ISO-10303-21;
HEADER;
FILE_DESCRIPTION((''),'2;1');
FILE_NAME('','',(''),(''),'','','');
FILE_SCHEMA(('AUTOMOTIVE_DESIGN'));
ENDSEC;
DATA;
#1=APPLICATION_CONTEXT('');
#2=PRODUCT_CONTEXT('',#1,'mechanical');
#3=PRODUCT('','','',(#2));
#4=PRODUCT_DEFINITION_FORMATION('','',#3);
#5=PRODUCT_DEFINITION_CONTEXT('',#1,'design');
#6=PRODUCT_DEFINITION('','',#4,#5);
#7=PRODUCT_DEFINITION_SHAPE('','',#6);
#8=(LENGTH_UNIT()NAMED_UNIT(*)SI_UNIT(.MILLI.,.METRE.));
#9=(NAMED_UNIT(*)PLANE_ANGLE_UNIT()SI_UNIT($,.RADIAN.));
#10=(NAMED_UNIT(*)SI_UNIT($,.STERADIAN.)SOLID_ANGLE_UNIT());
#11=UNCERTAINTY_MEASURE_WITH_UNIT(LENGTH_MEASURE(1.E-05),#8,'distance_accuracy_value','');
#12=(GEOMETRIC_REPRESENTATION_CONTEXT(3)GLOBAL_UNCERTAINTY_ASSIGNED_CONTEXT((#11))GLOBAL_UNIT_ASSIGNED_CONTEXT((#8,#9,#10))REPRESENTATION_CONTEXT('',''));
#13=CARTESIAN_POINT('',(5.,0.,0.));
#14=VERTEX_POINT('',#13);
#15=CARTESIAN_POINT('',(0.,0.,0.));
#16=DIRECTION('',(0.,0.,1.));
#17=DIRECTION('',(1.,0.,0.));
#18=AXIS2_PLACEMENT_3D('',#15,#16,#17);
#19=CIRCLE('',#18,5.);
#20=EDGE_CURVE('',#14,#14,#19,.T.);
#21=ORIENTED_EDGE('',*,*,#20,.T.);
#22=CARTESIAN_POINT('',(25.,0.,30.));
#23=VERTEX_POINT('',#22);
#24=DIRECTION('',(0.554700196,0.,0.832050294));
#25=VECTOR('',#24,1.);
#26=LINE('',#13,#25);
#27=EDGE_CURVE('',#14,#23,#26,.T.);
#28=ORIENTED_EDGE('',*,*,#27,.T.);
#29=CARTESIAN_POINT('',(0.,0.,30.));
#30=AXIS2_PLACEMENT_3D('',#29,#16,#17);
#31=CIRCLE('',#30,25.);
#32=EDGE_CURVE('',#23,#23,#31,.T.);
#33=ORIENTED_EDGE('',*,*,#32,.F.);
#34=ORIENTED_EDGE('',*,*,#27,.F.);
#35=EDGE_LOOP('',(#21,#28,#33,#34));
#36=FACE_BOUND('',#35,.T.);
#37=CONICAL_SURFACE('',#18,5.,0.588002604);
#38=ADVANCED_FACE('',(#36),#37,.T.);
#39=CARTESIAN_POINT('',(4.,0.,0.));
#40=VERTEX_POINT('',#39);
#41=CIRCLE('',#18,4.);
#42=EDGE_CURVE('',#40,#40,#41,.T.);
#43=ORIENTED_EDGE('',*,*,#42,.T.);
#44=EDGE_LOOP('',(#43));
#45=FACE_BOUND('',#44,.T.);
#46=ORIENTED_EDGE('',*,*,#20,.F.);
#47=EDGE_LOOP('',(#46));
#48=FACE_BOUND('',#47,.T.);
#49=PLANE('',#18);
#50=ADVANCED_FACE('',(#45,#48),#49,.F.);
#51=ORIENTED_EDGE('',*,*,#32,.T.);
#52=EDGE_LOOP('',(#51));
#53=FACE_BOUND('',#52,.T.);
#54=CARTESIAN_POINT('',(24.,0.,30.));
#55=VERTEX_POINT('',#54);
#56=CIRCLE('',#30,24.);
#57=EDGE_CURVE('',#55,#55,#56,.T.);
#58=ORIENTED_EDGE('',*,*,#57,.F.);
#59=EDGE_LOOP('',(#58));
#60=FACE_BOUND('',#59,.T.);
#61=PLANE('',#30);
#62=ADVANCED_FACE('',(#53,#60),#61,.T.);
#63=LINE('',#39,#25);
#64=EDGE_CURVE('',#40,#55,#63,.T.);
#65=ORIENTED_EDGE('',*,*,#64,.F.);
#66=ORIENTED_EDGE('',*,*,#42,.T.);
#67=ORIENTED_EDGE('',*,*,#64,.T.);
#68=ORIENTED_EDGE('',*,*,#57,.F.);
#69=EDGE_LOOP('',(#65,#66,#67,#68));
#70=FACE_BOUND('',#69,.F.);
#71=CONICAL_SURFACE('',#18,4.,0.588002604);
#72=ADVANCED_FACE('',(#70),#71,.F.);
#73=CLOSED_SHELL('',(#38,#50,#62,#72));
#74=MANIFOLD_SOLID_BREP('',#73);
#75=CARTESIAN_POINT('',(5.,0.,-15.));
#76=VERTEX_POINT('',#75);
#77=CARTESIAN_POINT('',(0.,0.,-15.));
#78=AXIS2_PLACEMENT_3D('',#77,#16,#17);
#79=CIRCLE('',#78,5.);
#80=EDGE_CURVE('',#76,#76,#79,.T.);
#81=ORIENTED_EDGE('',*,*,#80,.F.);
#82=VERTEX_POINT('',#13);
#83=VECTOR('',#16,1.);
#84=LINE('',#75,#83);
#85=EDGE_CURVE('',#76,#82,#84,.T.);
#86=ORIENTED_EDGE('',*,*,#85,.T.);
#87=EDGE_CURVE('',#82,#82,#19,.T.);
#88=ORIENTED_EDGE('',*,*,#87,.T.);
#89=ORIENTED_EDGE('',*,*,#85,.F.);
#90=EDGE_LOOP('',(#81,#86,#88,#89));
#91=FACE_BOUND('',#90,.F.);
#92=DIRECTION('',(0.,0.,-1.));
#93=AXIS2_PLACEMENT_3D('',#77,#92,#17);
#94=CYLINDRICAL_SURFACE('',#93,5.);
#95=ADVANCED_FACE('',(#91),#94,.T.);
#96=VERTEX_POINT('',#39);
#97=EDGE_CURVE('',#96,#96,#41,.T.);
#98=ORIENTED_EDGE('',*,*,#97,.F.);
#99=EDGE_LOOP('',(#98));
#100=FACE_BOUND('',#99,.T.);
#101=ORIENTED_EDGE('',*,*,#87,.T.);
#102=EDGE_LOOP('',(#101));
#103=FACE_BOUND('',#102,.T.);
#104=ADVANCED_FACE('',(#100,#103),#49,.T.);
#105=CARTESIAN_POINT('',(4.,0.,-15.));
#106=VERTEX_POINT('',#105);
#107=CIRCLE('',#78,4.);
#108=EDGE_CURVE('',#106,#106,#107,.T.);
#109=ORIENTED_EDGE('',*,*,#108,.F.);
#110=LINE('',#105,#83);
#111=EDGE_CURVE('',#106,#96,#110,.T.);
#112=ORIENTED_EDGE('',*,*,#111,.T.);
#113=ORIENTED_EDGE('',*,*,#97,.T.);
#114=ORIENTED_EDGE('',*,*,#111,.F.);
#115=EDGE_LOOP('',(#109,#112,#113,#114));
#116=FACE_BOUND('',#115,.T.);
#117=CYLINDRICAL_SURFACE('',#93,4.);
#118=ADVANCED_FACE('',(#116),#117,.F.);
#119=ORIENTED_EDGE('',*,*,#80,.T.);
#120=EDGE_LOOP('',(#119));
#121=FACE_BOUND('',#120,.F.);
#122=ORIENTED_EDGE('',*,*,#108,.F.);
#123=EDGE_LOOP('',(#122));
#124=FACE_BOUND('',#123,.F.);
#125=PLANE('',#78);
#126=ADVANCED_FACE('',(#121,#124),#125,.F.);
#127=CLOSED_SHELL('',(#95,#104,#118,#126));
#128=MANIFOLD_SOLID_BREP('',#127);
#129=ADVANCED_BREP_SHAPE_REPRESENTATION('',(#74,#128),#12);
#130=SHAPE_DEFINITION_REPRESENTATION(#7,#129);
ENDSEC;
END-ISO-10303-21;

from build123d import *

# Parameters (mm, degrees)
CYLINDER001_R     = 4
CYLINDER001_DEPTH = 15
CYLINDER_R        = 5
CYLINDER_DEPTH    = 15


with BuildPart() as con001:
    # Cone001 → Cone001 (revolve)
    with BuildSketch(Plane.XZ):
        Polygon((0, 0), (4, 0), (24, 30), (0, 30), align=None)
    revolve(axis=Axis((0, 0, 0), (0, 0, 1)))


with BuildPart() as cut:
    # Cone → Cone (revolve)
    with BuildSketch(Plane.XZ):
        Polygon((0, 0), (5, 0), (25, 30), (0, 30), align=None)
    revolve(axis=Axis((0, 0, 0), (0, 0, 1)))

    # Cut: cut Con001
    add(con001.part, mode=Mode.SUBTRACT)


with BuildPart() as cilindre001:
    # Cylinder001 → Cylinder001 (new body)
    with BuildSketch(Plane.XY.offset(-15)):
        Circle(CYLINDER001_R)
    extrude(amount=CYLINDER001_DEPTH)


with BuildPart() as cut001:
    # Cylinder → Cylinder (new body)
    with BuildSketch(Plane.XY.offset(-15)):
        Circle(CYLINDER_R)
    extrude(amount=CYLINDER_DEPTH)

    # Cut001: cut Cilindre001
    add(cilindre001.part, mode=Mode.SUBTRACT)


solid = Compound([cut.part, cut001.part])
